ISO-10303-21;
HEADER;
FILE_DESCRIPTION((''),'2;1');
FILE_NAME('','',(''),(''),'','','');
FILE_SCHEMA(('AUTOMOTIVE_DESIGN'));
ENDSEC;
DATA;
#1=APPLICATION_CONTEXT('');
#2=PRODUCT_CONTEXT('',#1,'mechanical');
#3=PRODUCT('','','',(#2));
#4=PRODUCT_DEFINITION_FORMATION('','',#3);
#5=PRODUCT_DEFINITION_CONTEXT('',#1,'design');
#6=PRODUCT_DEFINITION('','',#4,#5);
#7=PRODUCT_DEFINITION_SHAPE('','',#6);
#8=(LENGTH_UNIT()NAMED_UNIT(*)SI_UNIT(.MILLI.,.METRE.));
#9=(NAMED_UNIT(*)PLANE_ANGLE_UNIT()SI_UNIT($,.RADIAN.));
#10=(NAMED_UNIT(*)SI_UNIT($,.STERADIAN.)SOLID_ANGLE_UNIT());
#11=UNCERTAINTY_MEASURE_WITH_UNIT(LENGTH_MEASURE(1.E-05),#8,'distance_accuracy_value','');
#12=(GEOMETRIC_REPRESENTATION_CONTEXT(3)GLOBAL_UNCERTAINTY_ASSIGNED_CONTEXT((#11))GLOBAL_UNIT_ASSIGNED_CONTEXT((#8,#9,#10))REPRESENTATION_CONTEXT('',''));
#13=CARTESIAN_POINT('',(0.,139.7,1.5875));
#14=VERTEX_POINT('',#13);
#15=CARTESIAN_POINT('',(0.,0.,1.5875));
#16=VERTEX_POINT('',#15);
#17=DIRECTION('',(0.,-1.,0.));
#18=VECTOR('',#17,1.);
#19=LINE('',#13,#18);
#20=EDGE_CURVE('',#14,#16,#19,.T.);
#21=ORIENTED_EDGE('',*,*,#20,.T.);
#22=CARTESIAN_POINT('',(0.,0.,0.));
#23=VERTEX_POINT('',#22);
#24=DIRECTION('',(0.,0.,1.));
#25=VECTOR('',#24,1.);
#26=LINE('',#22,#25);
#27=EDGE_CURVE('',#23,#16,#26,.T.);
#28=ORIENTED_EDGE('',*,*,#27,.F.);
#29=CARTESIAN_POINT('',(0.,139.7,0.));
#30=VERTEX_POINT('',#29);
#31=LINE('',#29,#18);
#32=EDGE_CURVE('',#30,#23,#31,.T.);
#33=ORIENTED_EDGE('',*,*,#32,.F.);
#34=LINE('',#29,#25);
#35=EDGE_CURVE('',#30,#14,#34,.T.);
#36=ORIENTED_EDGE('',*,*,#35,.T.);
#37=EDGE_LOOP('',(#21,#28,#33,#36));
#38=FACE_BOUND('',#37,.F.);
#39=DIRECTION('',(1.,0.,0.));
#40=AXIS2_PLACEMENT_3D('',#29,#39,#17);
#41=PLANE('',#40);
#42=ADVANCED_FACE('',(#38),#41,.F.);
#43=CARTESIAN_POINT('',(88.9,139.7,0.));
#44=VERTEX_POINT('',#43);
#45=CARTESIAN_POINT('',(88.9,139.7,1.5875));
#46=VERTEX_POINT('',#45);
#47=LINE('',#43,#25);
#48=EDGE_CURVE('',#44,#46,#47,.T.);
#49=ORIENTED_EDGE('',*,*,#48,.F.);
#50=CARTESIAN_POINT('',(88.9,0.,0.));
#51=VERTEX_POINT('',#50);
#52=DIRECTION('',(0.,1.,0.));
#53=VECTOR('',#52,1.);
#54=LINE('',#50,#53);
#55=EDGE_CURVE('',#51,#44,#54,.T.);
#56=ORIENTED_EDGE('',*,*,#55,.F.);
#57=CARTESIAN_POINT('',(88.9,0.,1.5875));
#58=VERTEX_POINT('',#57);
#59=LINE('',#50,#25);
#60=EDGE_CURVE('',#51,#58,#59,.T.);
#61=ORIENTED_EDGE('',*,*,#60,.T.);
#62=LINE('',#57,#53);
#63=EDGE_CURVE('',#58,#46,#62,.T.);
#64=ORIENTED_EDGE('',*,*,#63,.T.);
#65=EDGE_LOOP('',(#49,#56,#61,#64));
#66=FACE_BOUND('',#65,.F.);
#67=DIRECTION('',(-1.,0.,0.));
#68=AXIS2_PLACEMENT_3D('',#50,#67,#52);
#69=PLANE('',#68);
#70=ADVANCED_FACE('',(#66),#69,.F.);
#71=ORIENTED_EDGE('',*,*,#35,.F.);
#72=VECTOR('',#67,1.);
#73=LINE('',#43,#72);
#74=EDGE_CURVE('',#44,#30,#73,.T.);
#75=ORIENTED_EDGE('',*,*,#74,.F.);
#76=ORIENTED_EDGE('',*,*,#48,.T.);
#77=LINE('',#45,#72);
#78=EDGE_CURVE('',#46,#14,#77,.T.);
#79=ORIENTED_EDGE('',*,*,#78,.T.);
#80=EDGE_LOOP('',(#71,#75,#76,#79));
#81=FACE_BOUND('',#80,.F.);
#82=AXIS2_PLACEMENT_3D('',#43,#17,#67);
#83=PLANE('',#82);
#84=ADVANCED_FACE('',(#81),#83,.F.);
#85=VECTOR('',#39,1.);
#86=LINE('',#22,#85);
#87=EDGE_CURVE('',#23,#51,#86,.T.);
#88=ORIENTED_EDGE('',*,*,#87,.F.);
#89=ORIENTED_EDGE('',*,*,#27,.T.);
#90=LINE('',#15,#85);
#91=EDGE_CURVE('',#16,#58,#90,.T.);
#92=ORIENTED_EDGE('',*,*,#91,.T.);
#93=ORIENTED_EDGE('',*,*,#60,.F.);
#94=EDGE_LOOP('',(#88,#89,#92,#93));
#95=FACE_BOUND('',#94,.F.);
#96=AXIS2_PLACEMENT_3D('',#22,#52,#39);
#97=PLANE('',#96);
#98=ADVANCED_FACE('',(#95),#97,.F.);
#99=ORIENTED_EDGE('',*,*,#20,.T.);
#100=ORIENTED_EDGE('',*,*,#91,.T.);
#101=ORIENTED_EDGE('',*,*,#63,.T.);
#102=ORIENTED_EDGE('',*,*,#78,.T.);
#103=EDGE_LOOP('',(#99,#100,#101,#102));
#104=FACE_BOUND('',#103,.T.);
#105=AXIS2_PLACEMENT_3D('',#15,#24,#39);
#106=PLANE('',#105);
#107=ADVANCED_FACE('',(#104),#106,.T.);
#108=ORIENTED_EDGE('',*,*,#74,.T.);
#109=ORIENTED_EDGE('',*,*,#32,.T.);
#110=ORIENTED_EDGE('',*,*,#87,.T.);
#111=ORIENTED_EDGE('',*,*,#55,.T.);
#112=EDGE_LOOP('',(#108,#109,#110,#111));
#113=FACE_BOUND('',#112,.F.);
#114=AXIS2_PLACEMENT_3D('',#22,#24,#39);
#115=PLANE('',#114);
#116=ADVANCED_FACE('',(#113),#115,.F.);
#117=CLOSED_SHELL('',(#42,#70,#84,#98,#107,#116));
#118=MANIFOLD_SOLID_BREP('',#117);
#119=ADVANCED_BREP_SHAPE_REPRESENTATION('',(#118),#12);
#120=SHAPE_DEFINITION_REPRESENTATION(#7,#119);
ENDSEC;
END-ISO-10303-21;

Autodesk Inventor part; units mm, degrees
ref_plane "YZ Plane" through (0, 0, 0) normal (1, 0, 0) x (0, 1, 0)
ref_plane "XZ Plane" through (0, 0, 0) normal (0, 1, 0) x (-1, 0, 0)
ref_plane "XY Plane" through (0, 0, 0) normal (0, 0, 1) x (1, 0, 0)
sketch "Sketch1" plane through (0, 0, 0) normal (0, 0, 1) x (1, 0, 0)
  line L0 (0, 0) -> (88.9, 0)
  line L1 (88.9, 0) -> (88.9, 139.7)
  line L2 (88.9, 139.7) -> (0, 139.7)
  line L3 (0, 139.7) -> (0, 0)
  dimension "d1" = 139.7
  dimension "d2" = 88.9
extrude "Extrusion1" add sketch "Sketch1" along normal blind 1.5875
properties part number "Rectangle_Of_Underlayment_For_Beam" material "Rubber"
